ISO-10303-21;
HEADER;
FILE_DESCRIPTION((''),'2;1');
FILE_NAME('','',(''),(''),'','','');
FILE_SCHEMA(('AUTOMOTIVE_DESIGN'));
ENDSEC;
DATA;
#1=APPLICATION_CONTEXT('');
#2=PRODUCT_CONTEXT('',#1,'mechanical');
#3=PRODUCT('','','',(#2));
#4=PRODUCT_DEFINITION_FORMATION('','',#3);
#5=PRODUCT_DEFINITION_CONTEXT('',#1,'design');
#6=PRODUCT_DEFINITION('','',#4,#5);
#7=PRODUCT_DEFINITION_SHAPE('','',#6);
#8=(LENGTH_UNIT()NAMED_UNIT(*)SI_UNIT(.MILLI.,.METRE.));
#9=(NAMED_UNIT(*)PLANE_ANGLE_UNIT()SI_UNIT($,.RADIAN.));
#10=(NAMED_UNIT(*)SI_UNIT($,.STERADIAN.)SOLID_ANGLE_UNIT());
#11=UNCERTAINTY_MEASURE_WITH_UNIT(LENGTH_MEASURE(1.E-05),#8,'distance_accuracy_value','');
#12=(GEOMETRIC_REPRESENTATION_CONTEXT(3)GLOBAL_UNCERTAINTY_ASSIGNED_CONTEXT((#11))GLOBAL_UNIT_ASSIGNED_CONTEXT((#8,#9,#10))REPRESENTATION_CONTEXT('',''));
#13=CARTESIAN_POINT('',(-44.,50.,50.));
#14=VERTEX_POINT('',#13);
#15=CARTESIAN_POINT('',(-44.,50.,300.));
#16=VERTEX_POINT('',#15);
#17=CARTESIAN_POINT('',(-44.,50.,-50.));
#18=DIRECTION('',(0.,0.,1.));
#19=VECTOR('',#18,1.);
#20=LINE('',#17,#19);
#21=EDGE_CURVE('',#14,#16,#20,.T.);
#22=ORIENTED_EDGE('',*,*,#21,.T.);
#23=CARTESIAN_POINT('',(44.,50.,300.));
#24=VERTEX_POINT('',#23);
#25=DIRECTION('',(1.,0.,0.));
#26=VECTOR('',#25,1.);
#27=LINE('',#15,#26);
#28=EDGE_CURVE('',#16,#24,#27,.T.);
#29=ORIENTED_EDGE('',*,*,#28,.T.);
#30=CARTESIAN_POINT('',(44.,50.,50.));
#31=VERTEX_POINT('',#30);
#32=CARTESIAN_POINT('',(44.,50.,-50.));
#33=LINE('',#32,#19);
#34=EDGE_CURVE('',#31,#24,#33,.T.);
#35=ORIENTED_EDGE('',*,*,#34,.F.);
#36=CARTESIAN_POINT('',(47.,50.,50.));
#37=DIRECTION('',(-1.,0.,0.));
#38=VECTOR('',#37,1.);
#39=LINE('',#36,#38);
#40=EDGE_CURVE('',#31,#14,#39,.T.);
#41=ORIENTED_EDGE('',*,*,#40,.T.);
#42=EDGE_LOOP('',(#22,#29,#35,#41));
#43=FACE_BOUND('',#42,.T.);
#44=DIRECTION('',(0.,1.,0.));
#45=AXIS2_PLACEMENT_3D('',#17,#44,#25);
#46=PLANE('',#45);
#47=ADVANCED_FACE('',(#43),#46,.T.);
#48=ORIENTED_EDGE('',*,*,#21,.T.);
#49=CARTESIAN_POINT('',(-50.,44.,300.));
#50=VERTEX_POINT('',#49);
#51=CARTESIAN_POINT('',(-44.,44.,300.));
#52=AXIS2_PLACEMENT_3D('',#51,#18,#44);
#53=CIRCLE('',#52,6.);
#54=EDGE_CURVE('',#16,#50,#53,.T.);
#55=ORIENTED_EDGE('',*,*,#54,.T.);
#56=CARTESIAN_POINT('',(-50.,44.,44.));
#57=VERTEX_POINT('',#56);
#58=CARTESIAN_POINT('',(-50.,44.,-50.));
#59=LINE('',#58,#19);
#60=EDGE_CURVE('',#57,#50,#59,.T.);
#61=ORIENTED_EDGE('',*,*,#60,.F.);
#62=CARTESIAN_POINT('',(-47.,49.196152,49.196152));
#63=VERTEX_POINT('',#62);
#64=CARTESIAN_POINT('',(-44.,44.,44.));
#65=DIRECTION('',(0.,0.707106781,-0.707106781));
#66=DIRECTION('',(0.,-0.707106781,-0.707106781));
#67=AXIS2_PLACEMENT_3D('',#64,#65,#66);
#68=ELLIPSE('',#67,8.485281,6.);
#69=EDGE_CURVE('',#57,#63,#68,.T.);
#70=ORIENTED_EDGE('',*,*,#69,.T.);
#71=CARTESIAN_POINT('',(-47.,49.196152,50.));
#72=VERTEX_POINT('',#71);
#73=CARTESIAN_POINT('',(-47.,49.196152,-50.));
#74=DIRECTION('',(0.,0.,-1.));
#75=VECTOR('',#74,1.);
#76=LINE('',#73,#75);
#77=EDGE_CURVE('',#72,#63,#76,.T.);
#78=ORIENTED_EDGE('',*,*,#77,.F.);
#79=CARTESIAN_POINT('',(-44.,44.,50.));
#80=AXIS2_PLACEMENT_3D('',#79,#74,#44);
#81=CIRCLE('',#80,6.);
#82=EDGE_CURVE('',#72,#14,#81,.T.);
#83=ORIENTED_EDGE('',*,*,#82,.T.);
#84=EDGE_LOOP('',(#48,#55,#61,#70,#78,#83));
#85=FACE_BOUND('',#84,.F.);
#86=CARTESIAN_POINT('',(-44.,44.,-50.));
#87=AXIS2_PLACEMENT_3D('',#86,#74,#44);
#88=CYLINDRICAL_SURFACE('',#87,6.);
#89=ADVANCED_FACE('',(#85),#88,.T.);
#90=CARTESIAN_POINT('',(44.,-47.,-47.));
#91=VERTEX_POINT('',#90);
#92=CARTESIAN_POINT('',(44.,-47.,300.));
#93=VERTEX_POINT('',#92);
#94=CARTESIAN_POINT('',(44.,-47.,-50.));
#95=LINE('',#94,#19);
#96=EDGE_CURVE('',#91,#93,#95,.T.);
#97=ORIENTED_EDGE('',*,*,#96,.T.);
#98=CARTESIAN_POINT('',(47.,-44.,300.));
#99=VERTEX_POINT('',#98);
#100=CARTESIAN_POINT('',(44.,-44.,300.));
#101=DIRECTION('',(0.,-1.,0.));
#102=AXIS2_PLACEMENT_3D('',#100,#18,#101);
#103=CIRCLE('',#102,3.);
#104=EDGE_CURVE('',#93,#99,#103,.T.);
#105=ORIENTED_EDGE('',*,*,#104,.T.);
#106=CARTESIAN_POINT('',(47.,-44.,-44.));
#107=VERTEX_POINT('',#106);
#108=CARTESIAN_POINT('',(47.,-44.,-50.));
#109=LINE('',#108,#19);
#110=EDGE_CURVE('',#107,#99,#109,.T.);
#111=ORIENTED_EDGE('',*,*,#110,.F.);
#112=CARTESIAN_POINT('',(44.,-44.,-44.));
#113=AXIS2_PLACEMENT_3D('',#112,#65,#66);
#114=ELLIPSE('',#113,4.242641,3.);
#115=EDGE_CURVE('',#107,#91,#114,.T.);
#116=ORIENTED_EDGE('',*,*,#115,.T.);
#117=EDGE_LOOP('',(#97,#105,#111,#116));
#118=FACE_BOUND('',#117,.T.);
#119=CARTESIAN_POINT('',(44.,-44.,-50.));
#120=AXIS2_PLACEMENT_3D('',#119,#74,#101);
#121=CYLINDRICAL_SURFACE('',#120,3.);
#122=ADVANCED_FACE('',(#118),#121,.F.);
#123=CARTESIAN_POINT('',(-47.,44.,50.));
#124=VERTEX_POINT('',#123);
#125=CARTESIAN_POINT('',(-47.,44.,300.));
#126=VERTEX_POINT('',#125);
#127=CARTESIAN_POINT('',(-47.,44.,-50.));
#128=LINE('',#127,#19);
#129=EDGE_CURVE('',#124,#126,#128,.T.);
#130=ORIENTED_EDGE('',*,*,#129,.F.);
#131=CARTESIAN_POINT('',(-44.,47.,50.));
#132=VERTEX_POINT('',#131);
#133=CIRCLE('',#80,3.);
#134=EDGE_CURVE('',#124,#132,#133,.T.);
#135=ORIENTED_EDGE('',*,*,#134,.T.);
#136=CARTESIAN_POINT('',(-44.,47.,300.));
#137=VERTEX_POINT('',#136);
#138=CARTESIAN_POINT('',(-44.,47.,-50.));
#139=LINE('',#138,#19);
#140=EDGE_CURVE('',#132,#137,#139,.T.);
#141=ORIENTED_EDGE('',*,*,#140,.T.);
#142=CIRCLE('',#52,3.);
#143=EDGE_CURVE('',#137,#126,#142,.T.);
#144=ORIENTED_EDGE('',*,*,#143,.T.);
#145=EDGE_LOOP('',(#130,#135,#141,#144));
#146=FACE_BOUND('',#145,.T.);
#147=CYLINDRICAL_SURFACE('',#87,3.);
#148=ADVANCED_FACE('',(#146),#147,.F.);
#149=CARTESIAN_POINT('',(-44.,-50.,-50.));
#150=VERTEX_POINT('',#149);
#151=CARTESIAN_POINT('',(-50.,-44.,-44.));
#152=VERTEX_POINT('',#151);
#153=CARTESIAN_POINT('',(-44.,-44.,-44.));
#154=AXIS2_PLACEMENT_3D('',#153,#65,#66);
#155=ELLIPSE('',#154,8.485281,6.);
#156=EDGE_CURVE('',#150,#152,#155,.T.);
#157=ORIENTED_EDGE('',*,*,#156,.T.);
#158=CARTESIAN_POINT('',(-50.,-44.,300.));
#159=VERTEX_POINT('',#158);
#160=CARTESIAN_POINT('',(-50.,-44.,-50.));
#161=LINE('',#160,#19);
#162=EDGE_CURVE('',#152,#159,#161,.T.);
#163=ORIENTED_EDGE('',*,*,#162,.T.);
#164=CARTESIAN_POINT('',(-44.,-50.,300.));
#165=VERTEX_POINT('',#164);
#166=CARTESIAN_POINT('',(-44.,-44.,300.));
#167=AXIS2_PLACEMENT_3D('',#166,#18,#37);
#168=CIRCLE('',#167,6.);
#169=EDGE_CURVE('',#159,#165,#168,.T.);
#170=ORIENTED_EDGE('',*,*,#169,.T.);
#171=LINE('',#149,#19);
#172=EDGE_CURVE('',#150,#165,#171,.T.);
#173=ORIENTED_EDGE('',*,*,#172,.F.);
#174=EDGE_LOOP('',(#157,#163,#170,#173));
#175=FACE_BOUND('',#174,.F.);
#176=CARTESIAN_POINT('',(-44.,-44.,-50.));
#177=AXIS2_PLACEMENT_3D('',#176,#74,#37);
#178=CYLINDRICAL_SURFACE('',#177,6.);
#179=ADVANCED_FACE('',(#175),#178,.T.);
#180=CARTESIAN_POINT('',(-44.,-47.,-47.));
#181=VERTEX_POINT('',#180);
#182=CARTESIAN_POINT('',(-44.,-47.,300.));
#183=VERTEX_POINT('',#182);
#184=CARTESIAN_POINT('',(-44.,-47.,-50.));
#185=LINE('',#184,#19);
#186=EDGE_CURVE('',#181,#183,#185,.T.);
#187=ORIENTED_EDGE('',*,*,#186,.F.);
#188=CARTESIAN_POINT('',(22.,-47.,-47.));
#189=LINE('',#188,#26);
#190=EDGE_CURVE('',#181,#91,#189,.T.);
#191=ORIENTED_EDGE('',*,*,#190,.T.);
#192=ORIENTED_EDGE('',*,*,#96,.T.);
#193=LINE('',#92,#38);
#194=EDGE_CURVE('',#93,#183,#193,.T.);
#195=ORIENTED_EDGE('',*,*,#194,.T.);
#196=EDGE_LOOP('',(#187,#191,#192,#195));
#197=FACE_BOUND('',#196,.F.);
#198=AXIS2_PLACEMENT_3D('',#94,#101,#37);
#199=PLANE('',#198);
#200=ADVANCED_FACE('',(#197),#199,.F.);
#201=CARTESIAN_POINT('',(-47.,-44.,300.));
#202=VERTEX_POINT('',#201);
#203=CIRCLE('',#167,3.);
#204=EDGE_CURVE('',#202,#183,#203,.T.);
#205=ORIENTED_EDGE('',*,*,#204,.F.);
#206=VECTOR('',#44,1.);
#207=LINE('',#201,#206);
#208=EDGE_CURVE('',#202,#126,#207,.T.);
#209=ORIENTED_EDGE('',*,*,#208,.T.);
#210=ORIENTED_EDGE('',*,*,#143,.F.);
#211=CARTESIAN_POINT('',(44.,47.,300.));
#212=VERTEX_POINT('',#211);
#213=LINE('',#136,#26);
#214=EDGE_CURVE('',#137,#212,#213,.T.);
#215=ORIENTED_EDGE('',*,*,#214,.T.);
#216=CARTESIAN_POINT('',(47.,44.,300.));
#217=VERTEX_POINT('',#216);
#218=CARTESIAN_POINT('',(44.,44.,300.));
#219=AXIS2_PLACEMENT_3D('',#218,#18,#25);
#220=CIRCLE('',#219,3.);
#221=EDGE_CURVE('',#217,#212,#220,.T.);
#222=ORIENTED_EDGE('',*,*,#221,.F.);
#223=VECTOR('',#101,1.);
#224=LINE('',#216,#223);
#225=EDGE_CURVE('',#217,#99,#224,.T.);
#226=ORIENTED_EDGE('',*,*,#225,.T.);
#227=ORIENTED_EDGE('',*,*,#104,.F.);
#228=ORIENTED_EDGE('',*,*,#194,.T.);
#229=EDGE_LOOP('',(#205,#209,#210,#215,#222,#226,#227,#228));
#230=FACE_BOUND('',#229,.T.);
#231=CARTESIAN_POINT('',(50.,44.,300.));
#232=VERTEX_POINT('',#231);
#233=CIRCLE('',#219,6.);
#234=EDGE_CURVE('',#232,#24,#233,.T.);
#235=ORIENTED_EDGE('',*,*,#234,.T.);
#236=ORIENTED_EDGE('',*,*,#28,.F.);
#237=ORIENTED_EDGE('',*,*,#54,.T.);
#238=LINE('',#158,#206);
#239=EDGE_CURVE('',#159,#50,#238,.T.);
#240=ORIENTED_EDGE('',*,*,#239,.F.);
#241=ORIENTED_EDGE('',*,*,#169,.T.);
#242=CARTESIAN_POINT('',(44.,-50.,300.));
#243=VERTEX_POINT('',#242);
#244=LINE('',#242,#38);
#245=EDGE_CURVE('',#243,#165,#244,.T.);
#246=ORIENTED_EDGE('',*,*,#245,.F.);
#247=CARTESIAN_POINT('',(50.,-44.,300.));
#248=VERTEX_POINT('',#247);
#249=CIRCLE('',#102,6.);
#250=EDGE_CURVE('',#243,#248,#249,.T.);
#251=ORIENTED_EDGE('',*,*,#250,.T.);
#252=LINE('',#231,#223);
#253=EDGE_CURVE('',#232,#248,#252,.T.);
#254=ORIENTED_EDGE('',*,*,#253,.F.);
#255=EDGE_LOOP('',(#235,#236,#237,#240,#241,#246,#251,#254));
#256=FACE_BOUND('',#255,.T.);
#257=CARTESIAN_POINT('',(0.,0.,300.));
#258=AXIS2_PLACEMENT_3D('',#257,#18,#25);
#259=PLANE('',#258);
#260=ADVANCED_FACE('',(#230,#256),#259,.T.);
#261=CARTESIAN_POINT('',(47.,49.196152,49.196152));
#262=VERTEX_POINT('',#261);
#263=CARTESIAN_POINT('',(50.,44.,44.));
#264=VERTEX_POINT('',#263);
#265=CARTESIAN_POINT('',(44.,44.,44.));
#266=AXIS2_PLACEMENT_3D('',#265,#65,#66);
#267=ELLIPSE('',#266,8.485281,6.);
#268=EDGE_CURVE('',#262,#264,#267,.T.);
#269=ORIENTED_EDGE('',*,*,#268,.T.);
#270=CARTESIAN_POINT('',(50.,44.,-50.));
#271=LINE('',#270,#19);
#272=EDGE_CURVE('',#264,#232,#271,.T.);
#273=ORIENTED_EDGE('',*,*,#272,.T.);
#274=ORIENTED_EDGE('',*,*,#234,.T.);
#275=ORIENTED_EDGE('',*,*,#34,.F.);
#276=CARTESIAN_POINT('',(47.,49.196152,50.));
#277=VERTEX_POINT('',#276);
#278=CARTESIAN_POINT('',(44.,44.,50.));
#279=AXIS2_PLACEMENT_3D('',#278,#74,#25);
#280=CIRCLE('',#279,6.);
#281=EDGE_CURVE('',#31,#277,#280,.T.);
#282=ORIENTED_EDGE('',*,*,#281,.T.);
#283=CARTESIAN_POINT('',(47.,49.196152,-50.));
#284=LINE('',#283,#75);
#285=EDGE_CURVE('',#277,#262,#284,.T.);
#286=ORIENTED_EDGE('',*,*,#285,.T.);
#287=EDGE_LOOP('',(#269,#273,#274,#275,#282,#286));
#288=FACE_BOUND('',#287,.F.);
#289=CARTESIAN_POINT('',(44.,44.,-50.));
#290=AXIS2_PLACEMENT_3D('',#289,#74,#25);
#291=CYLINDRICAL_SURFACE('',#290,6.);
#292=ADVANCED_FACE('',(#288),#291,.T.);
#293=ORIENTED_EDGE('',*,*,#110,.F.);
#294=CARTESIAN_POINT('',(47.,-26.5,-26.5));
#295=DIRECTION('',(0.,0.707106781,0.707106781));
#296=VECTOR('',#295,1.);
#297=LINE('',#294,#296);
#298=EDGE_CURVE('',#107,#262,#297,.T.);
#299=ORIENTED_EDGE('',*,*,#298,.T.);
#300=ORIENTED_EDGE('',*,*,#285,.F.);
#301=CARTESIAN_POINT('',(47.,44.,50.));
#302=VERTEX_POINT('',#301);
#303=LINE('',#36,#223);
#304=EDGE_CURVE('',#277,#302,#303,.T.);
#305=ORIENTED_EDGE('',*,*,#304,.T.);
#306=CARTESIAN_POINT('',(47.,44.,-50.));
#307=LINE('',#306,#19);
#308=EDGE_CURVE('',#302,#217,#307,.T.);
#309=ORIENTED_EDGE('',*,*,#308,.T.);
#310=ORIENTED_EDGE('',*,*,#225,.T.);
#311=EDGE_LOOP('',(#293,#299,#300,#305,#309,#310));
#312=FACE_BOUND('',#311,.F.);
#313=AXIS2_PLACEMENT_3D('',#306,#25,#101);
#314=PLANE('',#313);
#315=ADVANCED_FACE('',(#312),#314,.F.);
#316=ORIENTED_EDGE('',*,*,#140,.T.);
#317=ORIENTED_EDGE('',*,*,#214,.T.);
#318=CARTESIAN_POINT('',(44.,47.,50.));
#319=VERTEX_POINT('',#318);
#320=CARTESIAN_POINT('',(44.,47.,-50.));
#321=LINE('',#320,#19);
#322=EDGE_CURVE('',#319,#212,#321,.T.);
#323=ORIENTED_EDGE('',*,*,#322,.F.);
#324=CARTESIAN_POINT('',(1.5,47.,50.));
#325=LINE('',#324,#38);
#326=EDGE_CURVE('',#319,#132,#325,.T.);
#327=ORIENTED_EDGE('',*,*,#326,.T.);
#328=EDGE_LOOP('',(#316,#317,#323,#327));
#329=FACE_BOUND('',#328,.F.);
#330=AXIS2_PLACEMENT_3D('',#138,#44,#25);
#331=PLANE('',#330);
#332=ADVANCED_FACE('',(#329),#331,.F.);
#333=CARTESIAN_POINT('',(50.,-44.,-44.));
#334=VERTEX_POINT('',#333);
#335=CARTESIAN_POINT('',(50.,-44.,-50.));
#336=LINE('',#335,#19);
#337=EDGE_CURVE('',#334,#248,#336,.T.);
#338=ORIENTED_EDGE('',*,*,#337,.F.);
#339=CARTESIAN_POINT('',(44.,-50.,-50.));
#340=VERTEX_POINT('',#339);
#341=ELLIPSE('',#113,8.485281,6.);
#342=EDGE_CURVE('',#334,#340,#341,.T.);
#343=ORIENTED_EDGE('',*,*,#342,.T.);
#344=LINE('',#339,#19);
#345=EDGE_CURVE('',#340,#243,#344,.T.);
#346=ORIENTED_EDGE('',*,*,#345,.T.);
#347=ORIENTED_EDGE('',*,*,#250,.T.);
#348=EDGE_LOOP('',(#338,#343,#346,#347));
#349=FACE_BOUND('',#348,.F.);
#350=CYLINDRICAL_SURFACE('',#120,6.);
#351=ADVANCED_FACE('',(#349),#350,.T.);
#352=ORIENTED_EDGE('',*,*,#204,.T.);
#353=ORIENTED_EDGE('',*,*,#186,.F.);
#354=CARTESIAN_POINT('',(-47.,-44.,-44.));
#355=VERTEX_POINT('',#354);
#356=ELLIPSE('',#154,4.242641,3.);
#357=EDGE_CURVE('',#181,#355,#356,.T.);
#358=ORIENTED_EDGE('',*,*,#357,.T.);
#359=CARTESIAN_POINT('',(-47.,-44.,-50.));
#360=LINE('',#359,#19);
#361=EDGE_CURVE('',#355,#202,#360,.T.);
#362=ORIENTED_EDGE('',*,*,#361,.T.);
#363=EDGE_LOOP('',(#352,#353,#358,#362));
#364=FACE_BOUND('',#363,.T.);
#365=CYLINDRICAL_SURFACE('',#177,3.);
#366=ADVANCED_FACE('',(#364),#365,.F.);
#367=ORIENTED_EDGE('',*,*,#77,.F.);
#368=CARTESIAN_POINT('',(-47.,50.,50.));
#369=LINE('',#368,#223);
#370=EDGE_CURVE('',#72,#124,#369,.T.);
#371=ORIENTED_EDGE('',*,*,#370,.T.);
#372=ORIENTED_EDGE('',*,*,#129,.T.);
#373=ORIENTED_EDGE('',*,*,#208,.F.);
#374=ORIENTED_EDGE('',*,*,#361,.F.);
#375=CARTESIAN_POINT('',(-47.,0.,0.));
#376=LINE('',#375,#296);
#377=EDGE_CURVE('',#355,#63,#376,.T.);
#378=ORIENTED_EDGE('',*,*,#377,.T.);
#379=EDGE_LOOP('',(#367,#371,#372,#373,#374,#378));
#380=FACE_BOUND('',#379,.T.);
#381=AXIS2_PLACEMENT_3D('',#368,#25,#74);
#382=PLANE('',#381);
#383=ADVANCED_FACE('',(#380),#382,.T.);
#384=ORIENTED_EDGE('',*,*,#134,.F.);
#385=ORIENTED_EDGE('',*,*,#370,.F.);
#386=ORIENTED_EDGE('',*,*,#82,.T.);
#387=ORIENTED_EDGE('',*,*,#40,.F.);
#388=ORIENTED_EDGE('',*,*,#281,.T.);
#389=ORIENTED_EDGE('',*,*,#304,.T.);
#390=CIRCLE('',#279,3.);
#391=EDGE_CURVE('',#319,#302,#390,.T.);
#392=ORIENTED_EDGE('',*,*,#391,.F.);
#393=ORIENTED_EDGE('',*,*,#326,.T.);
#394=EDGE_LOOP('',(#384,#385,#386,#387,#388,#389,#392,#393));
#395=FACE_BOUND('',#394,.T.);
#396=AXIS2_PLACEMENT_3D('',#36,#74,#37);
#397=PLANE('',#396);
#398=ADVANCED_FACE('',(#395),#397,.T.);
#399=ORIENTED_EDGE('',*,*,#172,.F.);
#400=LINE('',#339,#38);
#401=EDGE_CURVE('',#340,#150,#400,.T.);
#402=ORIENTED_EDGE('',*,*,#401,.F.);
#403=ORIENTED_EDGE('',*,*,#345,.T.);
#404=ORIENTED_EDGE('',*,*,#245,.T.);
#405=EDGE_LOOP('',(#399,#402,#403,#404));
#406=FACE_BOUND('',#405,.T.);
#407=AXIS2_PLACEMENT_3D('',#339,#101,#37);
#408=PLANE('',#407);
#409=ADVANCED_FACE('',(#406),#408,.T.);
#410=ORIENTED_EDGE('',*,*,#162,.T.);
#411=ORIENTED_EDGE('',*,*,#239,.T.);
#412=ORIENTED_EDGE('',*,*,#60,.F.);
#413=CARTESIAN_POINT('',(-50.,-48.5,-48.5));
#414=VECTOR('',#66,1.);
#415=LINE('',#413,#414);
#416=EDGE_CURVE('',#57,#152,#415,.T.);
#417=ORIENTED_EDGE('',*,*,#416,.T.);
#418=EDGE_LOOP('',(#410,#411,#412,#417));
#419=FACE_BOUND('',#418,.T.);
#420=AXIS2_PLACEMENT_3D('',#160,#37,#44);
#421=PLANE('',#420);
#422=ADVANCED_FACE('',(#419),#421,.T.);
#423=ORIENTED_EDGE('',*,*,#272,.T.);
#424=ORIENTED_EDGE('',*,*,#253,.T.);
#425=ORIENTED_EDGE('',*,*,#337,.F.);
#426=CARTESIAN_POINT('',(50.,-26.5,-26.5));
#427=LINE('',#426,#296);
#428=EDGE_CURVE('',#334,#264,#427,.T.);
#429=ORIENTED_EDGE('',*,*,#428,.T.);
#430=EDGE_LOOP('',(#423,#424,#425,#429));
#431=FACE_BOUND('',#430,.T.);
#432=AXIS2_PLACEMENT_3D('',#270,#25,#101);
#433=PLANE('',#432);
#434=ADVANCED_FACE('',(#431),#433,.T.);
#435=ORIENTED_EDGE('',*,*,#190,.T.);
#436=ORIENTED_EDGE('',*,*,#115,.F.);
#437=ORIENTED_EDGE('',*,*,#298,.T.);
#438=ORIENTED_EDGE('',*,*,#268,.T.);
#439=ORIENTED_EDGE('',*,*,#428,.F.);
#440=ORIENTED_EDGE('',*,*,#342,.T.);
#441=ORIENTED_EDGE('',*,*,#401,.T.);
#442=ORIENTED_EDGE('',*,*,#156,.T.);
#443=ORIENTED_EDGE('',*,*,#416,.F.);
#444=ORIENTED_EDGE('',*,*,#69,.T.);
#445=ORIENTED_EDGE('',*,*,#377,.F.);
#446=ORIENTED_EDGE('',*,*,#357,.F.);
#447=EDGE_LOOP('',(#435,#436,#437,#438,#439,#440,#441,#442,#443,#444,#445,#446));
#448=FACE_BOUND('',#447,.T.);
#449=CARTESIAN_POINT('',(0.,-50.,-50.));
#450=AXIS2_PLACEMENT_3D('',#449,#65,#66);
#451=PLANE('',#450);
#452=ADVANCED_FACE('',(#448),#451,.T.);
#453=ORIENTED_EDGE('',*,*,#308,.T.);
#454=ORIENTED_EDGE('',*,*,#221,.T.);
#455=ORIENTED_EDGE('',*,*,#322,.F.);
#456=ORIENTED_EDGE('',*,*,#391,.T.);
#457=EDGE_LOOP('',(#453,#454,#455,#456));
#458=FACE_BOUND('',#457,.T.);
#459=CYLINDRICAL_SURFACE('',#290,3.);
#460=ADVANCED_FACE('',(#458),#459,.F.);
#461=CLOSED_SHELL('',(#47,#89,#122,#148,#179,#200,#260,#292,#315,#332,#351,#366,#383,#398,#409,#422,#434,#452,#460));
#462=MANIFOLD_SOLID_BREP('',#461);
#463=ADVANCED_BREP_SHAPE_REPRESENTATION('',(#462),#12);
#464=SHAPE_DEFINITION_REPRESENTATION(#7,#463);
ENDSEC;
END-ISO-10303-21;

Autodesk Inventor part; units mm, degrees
ref_plane "Start Plane" through (0, 0, -50) normal (0, 0, 1) x (1, 0, 0)
ref_plane "End Plane" through (0, 0, 300) normal (0, 0, 1) x (1, 0, 0)
sketch "Sketch" plane through (0, 0, 0) normal (0, 0, 1) x (1, 0, 0)
  line L0 (-50, -44) -> (-50, 44)
  line L1 (-44, 50) -> (44, 50)
  line L2 (50, 44) -> (50, -44)
  line L3 (44, -50) -> (-44, -50)
  arc A0 (-50, -44) -> (-44, -50) centre (-44, -44) ccw
  arc A1 (50, 44) -> (44, 50) centre (44, 44) ccw
  arc A2 (-44, 50) -> (-50, 44) centre (-44, 44) ccw
  arc A3 (44, -50) -> (50, -44) centre (44, -44) ccw
  arc A4 (-44, 47) -> (-47, 44) centre (-44, 44) ccw
  line L4 (-44, 47) -> (44, 47)
  arc A5 (47, 44) -> (44, 47) centre (44, 44) ccw
  line L5 (47, 44) -> (47, -44)
  arc A6 (44, -47) -> (47, -44) centre (44, -44) ccw
  line L6 (44, -47) -> (-44, -47)
  arc A7 (-47, -44) -> (-44, -47) centre (-44, -44) ccw
  line L7 (-47, -44) -> (-47, 44)
  line L8 (0, 71.7397) -> (0, -71.7397) construction
  line L9 (-71.7397, 0) -> (71.7397, 0) construction
  dimension "d7" = 6
  dimension "d9" = 100
  dimension "d11" = 100
  dimension "d12" = 3
  dimension "d15" = 50
  dimension "d16" = 50
extrude "Body" add sketch "Sketch" along normal up to surface (350 mm away) from surface at -50
sketch "Sketch3" plane through (0, 0, 0) normal (0, 0, 1) x (1, 0, 0)
  line L0 (0, 0) -> (10, 0)
ref_plane "Work Plane3" through (0, 0, 0) normal (0, -1, 0) x (1, 0, 0)
sketch "Sketch5" plane through (44, 50, 300) normal (0, 1, 0) x (1, 0, 0)
  line L0 (3, 0) -> (3, 350) projected
  line L1 (-91, 350) -> (3, 350)
  line L2 (3, 350) -> (3, 250)
  line L3 (3, 250) -> (-91, 250)
  line L4 (-91, 250) -> (-91, 350)
  point P0 (-44, 300)
  point P1 (3, 300)
  point P2 (3, 300)
  dimension "d19" = 100
extrude "Extrusion2" cut sketch "Sketch5" against normal blind 10
ref_plane "Work Plane5" through (0, -50, -50) normal (0, 0.7071, -0.7071) x (1, 0, 0)
split "Split2" plane through (0, -50, -50) removes the side toward (0, 0.7071, -0.7071)
sketch "Sketch4" plane through (0, 0, 0) normal (0, -1, 0) x (1, 0, 0)
  line L0 (-2, -50) -> (12, -50) projected
  line L1 (-2, 300) -> (12, 300) projected
  dimension "d18" = 350
equation "\"d7\" = G_IR"
equation "\"d9\" = G_W"
equation "\"d11\" = G_H"
equation "\"d12\" = G_T"
equation "\"d15\" = 0.5 * d9"
equation "\"d16\" = 0.5 * d11"
equation "\"d3\" = G_L"
equation "\"G_W\" = 100"
equation "\"G_H\" = 100"
equation "\"G_T\" = 3"
equation "\"G_IR\" = 6"
equation "\"G_L\" = d18"
equation "\"G_OFFSET_END\" = 0"
properties part number "ISO 10799-2 - 100x100x3 - 350" material "Steel, Mild"
